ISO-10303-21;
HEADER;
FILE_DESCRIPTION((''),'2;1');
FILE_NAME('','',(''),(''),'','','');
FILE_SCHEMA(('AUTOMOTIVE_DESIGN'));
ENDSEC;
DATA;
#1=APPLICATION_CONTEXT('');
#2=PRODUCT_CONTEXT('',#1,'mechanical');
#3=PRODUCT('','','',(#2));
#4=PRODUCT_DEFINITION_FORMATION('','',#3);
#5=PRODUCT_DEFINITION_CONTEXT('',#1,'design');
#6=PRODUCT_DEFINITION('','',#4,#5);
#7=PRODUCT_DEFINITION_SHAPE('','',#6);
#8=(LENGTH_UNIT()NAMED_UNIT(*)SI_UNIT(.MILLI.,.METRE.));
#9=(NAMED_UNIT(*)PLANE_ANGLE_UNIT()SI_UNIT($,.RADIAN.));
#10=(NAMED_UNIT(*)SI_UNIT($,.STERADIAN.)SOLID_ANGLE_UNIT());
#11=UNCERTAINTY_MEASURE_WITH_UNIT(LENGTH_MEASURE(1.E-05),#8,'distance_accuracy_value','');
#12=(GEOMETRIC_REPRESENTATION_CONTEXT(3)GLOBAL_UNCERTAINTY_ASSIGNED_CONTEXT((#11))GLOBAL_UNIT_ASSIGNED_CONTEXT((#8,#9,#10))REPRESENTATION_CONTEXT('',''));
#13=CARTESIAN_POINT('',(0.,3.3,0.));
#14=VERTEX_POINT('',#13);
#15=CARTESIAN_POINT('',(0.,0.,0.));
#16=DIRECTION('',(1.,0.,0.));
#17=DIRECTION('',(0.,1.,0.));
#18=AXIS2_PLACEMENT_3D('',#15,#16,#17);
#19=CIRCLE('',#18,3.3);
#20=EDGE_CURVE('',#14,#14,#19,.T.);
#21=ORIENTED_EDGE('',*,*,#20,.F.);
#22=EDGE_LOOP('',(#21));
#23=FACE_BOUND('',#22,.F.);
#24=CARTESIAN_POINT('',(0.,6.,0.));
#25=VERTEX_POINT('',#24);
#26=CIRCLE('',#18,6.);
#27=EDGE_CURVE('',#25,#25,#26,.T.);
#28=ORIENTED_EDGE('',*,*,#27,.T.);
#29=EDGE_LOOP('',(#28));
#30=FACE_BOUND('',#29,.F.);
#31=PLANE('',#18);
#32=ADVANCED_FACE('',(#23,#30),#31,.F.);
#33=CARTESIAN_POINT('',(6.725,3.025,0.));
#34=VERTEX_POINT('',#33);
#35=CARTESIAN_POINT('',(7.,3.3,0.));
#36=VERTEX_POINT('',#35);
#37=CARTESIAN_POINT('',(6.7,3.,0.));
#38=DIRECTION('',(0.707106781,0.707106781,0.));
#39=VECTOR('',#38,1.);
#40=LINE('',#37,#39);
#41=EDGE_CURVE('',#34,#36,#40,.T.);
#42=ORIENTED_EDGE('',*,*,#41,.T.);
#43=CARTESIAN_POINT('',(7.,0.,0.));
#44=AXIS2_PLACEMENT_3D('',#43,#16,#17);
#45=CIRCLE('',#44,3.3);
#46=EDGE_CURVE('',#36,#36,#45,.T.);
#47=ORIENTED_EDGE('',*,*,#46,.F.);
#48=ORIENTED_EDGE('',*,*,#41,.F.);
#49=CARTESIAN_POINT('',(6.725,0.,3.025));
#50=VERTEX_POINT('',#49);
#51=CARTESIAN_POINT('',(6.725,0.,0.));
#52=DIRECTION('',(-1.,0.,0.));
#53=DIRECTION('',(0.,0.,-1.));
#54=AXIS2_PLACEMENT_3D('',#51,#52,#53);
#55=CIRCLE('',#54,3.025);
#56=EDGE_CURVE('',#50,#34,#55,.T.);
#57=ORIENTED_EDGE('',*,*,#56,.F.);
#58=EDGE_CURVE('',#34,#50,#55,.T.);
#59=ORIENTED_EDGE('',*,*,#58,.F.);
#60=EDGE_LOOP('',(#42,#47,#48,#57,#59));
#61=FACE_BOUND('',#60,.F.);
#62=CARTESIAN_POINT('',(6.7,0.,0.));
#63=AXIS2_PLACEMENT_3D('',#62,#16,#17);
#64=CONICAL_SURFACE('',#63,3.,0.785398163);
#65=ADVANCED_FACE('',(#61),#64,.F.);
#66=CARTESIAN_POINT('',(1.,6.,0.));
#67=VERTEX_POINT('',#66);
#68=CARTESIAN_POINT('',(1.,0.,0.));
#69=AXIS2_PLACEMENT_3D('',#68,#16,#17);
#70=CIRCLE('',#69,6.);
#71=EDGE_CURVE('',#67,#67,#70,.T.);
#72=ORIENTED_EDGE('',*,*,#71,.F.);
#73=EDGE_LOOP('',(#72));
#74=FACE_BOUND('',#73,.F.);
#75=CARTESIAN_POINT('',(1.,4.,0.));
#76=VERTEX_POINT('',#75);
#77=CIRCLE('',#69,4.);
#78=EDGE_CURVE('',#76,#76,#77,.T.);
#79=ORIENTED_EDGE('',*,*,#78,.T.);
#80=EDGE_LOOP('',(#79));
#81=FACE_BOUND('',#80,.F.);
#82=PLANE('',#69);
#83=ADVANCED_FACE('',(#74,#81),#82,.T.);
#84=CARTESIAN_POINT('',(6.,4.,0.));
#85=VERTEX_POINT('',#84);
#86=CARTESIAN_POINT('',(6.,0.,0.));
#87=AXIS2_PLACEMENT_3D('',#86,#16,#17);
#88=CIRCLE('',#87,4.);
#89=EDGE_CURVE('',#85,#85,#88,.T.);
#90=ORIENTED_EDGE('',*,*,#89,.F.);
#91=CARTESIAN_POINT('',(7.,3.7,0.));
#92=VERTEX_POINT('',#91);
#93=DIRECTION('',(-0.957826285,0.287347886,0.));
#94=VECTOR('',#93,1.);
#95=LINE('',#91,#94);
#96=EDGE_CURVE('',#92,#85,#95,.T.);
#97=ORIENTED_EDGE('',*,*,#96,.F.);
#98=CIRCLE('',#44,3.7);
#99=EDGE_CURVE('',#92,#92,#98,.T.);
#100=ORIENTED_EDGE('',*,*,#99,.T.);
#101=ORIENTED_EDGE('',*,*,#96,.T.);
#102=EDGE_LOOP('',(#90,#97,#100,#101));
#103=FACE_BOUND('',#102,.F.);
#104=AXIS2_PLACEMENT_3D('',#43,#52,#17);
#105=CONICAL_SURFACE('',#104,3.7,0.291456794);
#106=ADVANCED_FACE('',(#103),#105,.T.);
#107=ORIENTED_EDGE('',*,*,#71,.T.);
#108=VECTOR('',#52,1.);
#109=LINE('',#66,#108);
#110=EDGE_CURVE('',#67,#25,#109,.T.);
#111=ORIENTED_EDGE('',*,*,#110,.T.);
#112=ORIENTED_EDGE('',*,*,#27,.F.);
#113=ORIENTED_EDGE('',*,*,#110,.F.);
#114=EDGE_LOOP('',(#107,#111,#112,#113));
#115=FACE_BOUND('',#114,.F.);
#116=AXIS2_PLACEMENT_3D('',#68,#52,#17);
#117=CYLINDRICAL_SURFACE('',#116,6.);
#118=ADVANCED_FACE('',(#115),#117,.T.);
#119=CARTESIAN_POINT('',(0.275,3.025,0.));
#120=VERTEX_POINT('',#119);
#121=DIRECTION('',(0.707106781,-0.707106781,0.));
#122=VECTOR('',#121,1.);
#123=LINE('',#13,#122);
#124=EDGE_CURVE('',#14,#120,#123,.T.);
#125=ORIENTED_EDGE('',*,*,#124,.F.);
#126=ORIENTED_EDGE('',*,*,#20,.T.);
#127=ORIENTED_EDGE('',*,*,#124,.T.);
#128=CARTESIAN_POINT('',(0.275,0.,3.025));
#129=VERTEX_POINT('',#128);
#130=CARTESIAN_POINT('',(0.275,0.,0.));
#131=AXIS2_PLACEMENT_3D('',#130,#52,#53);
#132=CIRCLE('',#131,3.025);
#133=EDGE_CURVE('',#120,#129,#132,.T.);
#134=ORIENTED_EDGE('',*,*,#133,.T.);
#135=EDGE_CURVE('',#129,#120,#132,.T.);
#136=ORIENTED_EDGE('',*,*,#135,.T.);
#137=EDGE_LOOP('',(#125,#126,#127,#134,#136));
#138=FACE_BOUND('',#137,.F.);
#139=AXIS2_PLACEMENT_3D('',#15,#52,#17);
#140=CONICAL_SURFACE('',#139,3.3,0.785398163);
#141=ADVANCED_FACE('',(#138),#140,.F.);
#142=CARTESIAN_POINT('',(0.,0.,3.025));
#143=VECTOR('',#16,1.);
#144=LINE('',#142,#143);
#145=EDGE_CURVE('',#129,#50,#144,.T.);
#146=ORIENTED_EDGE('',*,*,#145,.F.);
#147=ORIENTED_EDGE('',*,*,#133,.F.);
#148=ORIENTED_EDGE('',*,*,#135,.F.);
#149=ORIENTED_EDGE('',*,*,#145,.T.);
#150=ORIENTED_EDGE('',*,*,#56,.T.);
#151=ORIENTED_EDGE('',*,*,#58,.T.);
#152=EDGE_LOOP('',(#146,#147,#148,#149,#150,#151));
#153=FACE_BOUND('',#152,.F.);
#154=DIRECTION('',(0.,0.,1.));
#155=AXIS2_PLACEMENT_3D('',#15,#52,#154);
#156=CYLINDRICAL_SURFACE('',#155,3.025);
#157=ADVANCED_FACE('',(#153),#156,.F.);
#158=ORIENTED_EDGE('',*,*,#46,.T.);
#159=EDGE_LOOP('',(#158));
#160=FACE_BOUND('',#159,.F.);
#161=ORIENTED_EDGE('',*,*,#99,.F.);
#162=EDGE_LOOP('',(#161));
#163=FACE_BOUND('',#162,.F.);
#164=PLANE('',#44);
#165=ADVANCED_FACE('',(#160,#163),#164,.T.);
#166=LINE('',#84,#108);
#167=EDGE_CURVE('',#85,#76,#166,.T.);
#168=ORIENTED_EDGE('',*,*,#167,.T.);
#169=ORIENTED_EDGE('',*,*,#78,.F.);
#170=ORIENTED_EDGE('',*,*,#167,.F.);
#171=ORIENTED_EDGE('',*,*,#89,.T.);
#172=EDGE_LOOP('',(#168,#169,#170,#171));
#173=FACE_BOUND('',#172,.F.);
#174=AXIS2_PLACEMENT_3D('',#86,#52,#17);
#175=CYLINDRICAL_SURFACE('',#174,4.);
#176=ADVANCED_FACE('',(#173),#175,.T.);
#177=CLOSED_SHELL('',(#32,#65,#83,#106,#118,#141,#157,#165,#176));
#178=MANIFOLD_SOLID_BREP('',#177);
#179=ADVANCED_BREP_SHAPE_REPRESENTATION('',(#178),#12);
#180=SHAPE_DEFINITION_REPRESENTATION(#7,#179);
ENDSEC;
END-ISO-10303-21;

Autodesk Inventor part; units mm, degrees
ref_plane "YZ Plane" through (0, 0, 0) normal (1, 0, 0) x (0, 1, 0)
ref_plane "XZ Plane" through (0, 0, 0) normal (0, 1, 0) x (-1, 0, 0)
ref_plane "XY Plane" through (0, 0, 0) normal (0, 0, 1) x (1, 0, 0)
sketch "Sketch_1" plane through (0, 0, 0) normal (0, 0, 1) x (1, 0, 0)
  line L0 (7, 0) -> (0, 0)
  line L1 (0, 3.3) -> (0.3, 3)
  line L2 (0.3, 3) -> (6.7, 3)
  line L3 (6.7, 3) -> (7, 3.3)
  line L4 (7, 3.3) -> (7, 3.7)
  line L5 (7, 3.7) -> (6, 4)
  line L6 (6, 4) -> (1, 4)
  line L7 (1, 4) -> (1, 6)
  line L8 (1, 6) -> (0, 6)
  line L9 (0, 6) -> (0, 3.3)
revolve "Revolution1" add sketch "Sketch_1" angle 360 about axis through (7, 0, 0) along (1, 0, 0)
sketch "스케치2" plane through (0, 0, 0) normal (-1, 0, 0) x (0, 0, 1)
  circle A0 centre (0, 0) radius 3.3 projected
  circle A1 centre (0, 0) radius 6 projected
  circle A2 centre (0, 0) radius 3.025
  dimension "d1" = 6.05
extrude "돌출1" cut sketch "스케치2" against normal up to surface (7 mm away) contours A2
properties part number "80F-0606"
